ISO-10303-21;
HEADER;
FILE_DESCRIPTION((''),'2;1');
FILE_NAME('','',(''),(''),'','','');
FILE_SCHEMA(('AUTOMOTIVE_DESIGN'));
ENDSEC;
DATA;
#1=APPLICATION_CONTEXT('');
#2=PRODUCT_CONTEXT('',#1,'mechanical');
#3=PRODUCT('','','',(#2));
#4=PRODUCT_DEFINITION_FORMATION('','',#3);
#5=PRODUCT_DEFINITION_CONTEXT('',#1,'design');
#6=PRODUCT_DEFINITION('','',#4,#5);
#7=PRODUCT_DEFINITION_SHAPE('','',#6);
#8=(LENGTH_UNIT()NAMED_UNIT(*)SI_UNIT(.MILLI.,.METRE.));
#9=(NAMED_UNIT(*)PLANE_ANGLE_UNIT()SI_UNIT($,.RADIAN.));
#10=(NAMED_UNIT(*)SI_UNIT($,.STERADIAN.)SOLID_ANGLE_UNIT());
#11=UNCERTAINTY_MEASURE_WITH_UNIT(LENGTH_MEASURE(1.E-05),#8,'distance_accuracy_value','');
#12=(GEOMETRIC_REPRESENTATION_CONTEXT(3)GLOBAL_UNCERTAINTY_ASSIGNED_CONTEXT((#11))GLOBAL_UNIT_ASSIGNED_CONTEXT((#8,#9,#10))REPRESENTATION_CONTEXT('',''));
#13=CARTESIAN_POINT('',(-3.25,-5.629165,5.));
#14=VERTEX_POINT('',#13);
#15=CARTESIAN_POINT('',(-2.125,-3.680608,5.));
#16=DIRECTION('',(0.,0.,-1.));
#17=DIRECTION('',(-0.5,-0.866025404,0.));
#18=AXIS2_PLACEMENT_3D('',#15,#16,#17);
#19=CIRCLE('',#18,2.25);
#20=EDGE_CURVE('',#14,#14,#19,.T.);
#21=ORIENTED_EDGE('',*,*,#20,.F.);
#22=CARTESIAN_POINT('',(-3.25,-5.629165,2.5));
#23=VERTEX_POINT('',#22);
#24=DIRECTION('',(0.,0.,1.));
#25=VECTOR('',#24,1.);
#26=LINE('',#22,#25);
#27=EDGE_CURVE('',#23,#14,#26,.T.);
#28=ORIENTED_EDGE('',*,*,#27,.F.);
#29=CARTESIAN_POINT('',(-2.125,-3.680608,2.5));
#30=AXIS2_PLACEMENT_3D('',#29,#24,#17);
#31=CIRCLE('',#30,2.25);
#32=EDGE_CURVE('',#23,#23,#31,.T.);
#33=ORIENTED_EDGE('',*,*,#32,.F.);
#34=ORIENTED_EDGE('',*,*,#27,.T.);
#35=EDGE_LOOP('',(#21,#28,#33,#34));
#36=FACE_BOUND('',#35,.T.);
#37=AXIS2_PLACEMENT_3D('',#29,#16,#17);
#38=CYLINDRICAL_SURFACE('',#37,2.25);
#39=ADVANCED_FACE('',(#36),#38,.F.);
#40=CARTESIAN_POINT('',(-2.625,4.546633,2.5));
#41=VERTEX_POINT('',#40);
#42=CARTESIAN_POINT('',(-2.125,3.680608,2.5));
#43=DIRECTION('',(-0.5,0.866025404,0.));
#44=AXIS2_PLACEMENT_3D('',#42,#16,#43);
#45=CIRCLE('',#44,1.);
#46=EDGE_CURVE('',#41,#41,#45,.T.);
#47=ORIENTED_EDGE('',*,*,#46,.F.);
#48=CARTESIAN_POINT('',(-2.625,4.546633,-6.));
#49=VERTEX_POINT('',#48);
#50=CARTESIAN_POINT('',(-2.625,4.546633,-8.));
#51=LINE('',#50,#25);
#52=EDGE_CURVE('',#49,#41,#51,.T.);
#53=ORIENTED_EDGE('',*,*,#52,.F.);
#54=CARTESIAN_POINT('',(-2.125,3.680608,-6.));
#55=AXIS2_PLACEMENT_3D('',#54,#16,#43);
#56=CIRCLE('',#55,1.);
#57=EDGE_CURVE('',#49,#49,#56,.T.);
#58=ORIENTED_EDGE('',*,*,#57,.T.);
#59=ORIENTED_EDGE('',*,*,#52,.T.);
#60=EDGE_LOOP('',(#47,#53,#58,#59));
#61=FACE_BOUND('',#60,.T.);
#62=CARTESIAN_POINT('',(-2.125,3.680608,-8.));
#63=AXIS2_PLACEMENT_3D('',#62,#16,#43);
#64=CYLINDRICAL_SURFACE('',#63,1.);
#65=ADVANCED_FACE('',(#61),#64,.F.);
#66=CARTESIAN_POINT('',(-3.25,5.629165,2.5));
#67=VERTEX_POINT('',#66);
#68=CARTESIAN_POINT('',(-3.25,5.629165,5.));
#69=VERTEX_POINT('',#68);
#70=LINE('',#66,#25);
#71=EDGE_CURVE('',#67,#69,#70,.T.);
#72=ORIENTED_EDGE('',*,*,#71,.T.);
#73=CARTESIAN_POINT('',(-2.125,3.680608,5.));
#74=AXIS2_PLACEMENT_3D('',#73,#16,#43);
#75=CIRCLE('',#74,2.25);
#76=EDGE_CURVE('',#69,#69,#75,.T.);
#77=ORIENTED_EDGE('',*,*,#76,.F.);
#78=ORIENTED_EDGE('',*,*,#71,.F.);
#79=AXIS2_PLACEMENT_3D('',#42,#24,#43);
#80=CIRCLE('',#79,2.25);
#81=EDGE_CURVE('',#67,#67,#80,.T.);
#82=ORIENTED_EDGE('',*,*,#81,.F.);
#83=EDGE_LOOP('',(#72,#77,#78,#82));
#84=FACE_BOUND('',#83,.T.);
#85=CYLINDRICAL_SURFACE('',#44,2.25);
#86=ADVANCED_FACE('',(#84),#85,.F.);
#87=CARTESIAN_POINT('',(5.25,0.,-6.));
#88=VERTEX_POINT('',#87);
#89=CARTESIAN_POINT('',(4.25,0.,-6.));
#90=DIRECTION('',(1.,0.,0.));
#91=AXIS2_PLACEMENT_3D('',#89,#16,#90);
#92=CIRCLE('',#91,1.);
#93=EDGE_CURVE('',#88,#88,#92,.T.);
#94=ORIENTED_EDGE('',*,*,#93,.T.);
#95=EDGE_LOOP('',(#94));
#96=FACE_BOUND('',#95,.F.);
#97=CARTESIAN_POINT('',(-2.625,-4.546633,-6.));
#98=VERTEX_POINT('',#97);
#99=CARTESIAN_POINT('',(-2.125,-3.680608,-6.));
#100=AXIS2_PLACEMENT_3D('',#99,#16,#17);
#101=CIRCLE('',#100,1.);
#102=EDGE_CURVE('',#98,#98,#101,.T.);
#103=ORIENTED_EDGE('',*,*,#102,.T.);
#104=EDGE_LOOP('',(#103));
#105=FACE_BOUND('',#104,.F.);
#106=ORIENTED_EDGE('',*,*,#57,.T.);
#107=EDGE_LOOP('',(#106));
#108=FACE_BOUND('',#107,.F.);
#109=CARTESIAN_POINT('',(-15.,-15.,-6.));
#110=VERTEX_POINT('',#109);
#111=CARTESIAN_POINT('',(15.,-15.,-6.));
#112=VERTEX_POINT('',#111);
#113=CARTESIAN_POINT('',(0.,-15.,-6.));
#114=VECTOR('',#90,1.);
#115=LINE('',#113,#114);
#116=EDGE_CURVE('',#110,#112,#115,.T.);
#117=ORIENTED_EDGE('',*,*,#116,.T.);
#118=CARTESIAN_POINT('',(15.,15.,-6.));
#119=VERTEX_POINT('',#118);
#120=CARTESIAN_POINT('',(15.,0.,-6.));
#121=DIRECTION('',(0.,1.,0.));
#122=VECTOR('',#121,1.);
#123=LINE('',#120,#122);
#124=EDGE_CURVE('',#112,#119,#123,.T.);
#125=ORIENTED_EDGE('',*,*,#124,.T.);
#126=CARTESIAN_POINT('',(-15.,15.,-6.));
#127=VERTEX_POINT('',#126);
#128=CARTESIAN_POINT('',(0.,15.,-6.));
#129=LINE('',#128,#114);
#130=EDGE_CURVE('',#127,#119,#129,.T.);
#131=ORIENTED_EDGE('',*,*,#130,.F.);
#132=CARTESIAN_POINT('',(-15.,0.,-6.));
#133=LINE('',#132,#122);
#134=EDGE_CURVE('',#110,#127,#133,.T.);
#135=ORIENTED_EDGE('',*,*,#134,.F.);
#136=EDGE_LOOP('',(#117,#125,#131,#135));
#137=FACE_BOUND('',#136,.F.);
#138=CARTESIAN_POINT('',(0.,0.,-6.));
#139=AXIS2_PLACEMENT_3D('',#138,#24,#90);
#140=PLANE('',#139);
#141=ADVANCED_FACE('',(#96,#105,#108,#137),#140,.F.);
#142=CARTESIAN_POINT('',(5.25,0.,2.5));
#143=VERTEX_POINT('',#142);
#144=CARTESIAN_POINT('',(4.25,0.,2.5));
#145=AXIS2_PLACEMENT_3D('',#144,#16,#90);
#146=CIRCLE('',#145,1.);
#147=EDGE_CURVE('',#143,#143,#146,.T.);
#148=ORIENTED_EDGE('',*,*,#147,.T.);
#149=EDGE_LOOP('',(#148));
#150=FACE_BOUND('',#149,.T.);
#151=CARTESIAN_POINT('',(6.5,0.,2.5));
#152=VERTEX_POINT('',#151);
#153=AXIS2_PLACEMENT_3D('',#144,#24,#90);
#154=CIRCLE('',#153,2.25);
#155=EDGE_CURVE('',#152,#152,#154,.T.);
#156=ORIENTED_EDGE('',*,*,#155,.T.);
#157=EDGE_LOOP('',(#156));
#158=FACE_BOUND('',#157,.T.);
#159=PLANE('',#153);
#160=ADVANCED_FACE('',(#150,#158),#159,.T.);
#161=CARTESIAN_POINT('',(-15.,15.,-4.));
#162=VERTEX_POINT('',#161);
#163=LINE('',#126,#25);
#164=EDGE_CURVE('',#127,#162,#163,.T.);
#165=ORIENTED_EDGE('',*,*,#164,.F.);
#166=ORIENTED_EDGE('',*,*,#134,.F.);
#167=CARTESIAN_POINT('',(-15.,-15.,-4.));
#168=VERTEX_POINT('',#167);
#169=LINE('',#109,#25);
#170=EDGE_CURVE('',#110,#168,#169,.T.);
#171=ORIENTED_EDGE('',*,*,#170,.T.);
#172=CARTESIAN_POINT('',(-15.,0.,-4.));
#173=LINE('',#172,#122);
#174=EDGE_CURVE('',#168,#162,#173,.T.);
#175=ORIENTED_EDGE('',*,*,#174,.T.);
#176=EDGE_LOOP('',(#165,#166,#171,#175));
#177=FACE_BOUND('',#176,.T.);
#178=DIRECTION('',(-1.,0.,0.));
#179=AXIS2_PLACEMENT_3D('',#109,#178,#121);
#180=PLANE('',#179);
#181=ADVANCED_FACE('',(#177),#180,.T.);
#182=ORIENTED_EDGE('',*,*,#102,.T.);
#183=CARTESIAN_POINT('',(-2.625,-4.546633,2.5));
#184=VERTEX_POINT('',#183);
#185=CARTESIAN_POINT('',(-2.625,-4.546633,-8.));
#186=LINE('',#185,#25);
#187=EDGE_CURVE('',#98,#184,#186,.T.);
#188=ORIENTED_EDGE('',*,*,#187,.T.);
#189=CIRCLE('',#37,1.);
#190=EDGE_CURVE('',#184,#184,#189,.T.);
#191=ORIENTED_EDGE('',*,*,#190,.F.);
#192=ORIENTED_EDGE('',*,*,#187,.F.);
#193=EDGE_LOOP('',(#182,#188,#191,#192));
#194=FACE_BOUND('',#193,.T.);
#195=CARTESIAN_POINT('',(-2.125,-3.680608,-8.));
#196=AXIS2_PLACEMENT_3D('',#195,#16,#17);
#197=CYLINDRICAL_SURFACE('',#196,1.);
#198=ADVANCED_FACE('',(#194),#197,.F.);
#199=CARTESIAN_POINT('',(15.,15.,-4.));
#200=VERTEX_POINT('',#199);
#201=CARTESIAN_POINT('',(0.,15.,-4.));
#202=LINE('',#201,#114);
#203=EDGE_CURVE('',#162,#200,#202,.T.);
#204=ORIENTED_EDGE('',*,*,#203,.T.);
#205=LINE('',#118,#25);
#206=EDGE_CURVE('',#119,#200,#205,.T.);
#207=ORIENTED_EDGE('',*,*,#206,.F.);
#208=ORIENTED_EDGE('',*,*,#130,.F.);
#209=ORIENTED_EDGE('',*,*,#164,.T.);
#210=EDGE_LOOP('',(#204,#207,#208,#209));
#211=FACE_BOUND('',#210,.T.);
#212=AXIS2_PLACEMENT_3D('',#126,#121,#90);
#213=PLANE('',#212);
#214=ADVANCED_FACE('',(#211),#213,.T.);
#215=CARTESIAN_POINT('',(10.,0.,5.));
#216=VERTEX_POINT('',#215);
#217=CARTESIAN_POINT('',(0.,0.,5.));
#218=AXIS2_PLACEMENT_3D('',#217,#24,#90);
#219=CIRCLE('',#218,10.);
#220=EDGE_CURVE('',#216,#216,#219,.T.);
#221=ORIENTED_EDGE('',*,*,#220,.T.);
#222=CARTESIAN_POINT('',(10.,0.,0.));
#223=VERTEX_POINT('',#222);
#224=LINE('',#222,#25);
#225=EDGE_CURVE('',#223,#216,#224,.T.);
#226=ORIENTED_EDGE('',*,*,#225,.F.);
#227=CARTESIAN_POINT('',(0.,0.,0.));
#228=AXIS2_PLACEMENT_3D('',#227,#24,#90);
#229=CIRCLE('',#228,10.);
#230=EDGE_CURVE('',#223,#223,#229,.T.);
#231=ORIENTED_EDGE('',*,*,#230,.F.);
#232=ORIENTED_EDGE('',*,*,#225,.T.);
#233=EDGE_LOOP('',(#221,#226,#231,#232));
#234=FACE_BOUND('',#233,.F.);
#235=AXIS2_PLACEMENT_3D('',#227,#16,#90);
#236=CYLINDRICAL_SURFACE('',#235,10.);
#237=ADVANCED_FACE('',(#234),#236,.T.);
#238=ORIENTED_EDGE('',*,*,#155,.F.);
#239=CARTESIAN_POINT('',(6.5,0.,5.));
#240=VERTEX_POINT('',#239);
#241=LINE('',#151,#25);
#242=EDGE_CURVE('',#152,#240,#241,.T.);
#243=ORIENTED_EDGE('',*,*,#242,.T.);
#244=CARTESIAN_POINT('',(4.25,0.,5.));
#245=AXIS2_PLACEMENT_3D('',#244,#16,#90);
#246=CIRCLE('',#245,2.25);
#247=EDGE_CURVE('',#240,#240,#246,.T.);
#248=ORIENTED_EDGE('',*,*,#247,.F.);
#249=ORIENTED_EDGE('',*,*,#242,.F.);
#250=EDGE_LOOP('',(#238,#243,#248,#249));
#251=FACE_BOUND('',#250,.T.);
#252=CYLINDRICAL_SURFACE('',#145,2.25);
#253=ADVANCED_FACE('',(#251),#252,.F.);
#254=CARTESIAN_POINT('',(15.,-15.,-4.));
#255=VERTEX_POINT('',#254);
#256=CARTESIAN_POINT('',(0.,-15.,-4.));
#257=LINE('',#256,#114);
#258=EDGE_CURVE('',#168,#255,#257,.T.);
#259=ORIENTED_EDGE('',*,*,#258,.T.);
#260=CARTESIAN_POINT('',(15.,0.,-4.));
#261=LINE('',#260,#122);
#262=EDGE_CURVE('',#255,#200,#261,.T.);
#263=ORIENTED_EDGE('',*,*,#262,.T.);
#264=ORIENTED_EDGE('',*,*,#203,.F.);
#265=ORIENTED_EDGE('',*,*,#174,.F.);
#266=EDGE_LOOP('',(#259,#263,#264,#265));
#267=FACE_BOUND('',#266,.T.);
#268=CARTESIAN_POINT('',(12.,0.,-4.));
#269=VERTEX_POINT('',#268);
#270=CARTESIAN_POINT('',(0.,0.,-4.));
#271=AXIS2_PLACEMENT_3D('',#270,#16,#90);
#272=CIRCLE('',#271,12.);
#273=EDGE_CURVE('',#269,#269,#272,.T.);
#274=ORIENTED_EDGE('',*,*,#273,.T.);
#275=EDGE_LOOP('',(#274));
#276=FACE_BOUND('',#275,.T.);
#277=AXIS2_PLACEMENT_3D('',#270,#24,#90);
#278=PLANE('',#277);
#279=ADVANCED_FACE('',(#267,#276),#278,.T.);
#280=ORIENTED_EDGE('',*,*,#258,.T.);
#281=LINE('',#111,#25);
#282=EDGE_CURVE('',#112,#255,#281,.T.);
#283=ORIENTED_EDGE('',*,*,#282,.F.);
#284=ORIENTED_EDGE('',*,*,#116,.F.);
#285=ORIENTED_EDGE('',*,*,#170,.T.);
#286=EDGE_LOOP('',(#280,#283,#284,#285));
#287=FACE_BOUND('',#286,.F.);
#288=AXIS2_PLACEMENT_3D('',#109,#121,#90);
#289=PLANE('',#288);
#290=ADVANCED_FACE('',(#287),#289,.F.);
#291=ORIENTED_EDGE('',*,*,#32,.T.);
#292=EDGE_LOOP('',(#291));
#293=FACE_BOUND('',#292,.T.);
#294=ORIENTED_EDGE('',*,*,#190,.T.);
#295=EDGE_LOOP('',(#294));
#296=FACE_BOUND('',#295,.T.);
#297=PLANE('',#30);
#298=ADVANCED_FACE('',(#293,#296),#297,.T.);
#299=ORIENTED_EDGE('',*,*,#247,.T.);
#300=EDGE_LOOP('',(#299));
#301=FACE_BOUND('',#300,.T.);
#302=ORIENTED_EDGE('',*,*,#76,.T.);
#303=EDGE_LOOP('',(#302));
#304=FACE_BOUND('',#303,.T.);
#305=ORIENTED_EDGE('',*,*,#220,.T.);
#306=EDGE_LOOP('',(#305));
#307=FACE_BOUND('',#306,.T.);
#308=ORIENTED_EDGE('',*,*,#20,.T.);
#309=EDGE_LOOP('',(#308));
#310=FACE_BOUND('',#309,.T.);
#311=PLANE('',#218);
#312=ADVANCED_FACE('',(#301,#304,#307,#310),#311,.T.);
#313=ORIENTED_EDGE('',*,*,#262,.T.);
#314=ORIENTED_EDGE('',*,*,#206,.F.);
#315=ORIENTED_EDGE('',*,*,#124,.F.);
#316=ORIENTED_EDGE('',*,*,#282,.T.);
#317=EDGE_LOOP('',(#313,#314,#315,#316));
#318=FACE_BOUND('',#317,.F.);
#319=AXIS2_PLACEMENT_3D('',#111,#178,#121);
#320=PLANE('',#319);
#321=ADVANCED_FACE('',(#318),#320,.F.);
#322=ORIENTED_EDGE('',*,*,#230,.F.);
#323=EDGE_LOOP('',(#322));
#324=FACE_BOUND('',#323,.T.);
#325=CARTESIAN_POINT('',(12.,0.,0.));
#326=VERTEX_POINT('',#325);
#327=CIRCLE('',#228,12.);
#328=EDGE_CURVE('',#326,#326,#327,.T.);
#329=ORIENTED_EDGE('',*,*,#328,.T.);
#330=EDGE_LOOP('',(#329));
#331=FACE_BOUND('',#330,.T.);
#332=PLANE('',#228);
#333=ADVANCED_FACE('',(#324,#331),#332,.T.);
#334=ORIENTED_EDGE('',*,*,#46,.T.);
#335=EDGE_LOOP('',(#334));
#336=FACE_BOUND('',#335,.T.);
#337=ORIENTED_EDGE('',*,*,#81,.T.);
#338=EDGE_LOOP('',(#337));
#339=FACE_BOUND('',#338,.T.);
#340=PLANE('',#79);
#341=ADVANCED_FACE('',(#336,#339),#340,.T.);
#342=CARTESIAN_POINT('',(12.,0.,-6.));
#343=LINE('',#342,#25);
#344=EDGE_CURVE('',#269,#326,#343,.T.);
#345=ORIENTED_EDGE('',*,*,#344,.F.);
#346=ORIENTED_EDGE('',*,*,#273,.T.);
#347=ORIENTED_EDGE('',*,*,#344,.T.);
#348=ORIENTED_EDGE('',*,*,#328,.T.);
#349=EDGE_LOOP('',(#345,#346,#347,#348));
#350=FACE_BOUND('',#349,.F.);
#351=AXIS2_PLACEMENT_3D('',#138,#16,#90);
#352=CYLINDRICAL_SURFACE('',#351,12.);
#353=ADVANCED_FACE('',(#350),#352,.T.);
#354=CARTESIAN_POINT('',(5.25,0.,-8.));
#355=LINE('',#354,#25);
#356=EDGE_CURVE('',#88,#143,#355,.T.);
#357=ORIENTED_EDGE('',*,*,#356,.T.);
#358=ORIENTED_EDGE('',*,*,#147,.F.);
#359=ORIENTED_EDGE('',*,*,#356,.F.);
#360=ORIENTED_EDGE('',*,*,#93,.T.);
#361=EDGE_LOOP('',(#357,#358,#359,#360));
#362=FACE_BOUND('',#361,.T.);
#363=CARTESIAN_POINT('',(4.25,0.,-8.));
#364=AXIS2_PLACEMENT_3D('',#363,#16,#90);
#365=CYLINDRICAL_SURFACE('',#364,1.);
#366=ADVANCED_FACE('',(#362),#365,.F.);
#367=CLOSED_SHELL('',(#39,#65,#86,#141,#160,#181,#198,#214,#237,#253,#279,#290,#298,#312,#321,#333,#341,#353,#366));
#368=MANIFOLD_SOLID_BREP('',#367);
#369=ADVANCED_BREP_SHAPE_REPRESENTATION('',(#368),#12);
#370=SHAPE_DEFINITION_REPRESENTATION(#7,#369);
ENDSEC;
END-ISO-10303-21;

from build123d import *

# Parameters (mm, degrees)
CYLINDER157_R     = 2.25
CYLINDER157_DEPTH = 8
CYLINDER156_R     = 1
CYLINDER156_DEPTH = 18
CYLINDER147_R     = 1
CYLINDER147_DEPTH = 1
ARRAY_COUNT       = 3
CYLINDER153_R     = 10
CYLINDER153_DEPTH = 5
BOX_W             = 30
BOX_H             = 30
BOX_DEPTH         = 2
CYLINDER202_R     = 12
CYLINDER202_DEPTH = 6


with BuildPart() as sealsubtraction:
    # Cylinder157 → Cylinder157 (new body)
    with BuildSketch(Plane.XY.offset(2.5)):
        Circle(CYLINDER157_R)
    extrude(amount=CYLINDER157_DEPTH)


with BuildPart() as bottomwireoutlet:
    # Cylinder156 → Cylinder156 (new body)
    with BuildSketch(Plane.XY.offset(-8)):
        Circle(CYLINDER156_R)
    extrude(amount=CYLINDER156_DEPTH)


with BuildPart() as sealarray:
    # Cylinder147 → Cylinder147 (new body)
    with BuildSketch(Plane.XY.offset(4.5)):
        Circle(CYLINDER147_R)
    extrude(amount=CYLINDER147_DEPTH)

    # Fusion: union SealSubtraction, BottomWireOutlet
    add(sealsubtraction.part)
    add(bottomwireoutlet.part)


with BuildPart() as sealarray_1:
    # Fusion placement: moved
    add(sealarray.part.moved(Location((4.25, 0, 0))))

    # Array: SealArray ×3 about axis
    array_axis = Axis((0, 0, 0), (0, 0, 1))


with BuildPart() as sealarray_2:
    add(sealarray_1.part)
    for i in range(1, ARRAY_COUNT):
        add(sealarray_1.part.rotate(array_axis, i * 360 / ARRAY_COUNT))


with BuildPart() as body:
    # Cylinder153 → Cylinder153 (new body)
    with BuildSketch(Plane.XY):
        Circle(CYLINDER153_R)
    extrude(amount=CYLINDER153_DEPTH)


with BuildPart() as cube:
    # Box → Box (new body)
    with BuildSketch(Plane(origin=(-15, -15, -6), x_dir=(1, 0, 0), z_dir=(0, 0, 1))):
        with Locations((15, 15)):
            Rectangle(BOX_W, BOX_H)
    extrude(amount=BOX_DEPTH)


with BuildPart() as cut:
    # Cylinder202 → Cylinder202 (new body)
    with BuildSketch(Plane.XY.offset(-6)):
        Circle(CYLINDER202_R)
    extrude(amount=CYLINDER202_DEPTH)

    # Fusion012: union Body, Cube
    add(body.part)
    add(cube.part)

    # Cut: cut SealArray
    add(sealarray_2.part, mode=Mode.SUBTRACT)


solid = cut.part
